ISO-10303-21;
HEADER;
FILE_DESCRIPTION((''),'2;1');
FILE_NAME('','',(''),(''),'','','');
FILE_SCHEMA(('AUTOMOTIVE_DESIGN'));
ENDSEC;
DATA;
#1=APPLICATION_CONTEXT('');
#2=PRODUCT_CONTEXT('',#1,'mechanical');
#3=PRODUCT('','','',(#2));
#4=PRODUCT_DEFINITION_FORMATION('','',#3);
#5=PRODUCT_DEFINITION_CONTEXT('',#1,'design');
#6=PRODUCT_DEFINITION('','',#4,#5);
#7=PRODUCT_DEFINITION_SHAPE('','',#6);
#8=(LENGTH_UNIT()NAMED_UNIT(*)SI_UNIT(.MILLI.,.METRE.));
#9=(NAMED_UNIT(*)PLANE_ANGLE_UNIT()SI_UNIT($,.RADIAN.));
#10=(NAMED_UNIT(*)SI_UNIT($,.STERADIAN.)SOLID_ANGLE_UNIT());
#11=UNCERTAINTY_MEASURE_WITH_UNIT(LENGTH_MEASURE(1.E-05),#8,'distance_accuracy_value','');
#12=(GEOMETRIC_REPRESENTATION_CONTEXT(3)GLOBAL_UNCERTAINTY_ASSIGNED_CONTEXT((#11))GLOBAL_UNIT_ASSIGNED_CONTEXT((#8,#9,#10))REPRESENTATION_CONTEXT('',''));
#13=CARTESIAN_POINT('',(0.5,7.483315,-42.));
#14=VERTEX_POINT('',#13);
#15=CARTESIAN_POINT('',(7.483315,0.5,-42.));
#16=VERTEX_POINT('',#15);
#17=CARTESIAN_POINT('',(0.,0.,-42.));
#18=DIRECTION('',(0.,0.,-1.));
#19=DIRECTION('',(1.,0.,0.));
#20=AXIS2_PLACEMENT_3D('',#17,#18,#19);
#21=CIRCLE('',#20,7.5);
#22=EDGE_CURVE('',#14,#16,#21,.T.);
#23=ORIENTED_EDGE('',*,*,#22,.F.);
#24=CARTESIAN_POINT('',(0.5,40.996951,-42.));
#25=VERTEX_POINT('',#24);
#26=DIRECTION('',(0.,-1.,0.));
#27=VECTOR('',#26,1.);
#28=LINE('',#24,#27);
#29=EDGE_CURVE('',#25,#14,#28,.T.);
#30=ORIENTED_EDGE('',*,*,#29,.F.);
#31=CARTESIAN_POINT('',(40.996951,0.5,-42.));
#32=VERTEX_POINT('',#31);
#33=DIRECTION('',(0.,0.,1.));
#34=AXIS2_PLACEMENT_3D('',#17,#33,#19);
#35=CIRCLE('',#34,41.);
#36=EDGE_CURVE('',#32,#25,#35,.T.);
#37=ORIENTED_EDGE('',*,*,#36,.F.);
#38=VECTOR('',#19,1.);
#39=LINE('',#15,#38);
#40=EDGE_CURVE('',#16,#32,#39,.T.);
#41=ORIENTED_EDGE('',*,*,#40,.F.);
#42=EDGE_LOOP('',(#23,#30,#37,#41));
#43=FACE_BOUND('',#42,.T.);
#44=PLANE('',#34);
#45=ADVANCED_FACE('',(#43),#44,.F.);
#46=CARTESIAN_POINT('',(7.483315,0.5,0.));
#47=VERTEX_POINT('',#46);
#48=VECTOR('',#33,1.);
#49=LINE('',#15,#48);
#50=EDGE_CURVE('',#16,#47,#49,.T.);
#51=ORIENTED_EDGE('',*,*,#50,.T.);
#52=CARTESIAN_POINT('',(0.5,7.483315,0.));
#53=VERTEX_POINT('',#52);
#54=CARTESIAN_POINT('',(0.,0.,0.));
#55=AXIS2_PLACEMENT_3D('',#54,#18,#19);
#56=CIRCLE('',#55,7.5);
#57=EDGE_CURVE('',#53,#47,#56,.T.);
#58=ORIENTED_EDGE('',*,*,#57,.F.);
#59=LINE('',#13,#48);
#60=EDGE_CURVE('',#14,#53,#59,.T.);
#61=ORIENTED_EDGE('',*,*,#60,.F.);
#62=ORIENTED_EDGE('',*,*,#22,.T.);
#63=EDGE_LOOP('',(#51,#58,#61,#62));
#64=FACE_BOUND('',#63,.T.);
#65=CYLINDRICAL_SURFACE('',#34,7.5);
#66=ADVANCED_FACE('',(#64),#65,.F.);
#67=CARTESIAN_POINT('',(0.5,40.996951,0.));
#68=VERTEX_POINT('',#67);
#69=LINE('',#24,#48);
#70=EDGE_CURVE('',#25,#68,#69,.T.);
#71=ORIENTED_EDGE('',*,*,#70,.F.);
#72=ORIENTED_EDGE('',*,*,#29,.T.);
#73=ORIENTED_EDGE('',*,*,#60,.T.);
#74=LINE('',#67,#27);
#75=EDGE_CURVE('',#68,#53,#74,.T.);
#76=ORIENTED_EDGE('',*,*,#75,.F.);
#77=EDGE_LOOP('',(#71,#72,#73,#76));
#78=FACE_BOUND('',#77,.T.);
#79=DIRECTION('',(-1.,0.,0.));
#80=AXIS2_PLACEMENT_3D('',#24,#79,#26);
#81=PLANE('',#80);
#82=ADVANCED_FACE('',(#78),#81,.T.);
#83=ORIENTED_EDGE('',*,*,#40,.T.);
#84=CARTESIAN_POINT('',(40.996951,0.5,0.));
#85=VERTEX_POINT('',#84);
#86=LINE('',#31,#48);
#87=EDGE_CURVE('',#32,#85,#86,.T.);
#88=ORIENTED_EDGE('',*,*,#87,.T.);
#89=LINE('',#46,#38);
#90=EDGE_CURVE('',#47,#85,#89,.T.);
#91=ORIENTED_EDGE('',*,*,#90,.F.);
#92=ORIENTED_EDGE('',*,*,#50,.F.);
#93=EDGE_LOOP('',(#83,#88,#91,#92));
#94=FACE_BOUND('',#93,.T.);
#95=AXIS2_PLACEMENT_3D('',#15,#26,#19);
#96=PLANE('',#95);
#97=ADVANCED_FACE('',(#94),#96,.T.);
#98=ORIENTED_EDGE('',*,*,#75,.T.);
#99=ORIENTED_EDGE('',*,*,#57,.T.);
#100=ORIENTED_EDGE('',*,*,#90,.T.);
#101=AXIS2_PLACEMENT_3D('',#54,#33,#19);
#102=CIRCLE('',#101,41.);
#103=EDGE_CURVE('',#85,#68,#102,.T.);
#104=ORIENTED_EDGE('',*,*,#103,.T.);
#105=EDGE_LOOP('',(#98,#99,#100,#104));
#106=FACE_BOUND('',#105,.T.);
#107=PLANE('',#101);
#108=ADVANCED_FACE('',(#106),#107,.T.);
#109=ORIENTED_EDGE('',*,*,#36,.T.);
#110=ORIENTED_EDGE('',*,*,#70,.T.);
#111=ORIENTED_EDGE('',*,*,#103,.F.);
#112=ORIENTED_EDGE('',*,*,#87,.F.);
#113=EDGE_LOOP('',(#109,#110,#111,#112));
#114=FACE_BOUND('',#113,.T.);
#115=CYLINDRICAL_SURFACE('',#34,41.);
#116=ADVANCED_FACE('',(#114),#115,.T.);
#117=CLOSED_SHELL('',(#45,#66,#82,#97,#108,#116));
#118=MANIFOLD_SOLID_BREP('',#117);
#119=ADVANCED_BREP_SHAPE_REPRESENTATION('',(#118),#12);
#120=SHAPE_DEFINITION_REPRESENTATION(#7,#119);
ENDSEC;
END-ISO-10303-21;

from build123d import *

# Parameters (mm, degrees)
BOSS_EXTRUDE1_DEPTH = 42


with BuildPart() as part:
    # Sketch1 → Boss-Extrude1 (new body)
    with BuildSketch(Plane.XY):
        with BuildLine():
            Line((0.5, 40.996951106), (0.5, 7.483314774))
            ThreePointArc((0.5, 7.483314774), (5.303300859, 5.303300859), (7.483314774, 0.5))
            Line((7.483314774, 0.5), (40.996951106, 0.5))
            ThreePointArc((40.996951106, 0.5), (28.991378029, 28.991378029), (0.5, 40.996951106))
        make_face()
    extrude(amount=-BOSS_EXTRUDE1_DEPTH)


solid = part.part
